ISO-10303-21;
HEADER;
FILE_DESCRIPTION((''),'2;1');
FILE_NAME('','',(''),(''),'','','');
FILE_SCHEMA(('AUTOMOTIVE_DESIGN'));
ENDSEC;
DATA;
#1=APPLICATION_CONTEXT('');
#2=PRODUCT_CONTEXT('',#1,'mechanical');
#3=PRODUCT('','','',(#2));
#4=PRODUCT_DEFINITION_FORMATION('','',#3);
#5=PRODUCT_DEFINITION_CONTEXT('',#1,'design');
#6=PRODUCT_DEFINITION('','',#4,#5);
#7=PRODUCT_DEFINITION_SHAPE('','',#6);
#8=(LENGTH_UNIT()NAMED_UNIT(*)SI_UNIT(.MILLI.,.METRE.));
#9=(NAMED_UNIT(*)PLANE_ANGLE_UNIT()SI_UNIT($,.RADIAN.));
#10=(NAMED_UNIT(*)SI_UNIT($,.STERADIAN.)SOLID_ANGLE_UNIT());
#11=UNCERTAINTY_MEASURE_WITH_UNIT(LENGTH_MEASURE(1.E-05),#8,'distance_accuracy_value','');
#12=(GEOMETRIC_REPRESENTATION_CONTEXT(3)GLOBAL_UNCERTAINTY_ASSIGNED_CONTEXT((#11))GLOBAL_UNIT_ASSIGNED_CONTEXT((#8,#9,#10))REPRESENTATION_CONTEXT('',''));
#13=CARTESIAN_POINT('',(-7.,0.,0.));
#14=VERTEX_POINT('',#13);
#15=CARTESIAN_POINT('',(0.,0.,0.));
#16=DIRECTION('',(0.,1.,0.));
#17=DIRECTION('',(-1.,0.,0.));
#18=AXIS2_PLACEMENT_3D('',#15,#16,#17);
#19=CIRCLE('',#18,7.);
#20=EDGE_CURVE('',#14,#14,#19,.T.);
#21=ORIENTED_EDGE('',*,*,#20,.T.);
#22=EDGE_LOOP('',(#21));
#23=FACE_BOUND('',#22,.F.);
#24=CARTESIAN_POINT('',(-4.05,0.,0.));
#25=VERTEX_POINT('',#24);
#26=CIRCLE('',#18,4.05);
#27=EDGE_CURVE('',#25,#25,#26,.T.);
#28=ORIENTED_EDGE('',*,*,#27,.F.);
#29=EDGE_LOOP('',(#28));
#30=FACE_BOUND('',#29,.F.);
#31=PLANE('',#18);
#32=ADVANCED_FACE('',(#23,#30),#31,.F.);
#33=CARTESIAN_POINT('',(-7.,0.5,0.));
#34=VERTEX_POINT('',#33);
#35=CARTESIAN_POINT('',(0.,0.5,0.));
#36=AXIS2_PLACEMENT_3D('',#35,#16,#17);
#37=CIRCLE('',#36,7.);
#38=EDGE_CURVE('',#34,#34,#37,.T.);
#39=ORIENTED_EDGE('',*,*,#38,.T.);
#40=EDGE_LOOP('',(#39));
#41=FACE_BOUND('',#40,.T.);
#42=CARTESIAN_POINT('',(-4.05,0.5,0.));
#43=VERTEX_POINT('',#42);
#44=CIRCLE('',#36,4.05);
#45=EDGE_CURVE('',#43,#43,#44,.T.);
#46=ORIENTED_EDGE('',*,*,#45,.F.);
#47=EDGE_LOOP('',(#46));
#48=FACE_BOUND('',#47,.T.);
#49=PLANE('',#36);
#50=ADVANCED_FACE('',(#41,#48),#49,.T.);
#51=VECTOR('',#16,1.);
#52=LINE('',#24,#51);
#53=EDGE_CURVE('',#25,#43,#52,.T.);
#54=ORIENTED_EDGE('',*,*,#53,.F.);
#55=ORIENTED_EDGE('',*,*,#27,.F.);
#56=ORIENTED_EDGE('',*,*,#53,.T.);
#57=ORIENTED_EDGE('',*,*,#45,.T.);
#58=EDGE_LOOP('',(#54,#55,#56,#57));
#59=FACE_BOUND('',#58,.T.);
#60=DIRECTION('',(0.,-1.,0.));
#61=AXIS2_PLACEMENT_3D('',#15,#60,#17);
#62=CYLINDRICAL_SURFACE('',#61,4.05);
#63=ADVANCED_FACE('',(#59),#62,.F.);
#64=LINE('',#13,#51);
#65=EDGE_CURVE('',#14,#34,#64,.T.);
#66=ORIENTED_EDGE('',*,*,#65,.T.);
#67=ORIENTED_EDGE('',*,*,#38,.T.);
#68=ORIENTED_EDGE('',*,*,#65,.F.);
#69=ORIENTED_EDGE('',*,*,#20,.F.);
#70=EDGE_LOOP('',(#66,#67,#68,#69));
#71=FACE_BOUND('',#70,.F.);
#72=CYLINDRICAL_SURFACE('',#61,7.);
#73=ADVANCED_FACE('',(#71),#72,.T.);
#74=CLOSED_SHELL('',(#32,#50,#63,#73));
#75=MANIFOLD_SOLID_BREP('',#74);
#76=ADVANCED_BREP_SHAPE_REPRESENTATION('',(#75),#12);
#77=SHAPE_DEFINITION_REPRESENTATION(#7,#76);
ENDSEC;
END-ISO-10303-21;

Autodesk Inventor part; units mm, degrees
ref_plane "YZ Plane" through (0, 0, 0) normal (1, 0, 0) x (0, 1, 0)
ref_plane "XZ Plane" through (0, 0, 0) normal (0, 1, 0) x (-1, 0, 0)
ref_plane "XY Plane" through (0, 0, 0) normal (0, 0, 1) x (1, 0, 0)
sketch "スケッチ1" plane through (0, 0, 0) normal (0, 1, 0) x (-1, 0, 0)
  circle A0 centre (0, 0) radius 4.05
  circle A1 centre (0, 0) radius 7
  dimension "d0" = 8.1
  dimension "d1" = 14
extrude "押し出し1" add sketch "スケッチ1" along normal blind 0.5
properties part number "ワッシャ 内径8 外径14 厚み0.5" material "アセタール樹脂、黒"
